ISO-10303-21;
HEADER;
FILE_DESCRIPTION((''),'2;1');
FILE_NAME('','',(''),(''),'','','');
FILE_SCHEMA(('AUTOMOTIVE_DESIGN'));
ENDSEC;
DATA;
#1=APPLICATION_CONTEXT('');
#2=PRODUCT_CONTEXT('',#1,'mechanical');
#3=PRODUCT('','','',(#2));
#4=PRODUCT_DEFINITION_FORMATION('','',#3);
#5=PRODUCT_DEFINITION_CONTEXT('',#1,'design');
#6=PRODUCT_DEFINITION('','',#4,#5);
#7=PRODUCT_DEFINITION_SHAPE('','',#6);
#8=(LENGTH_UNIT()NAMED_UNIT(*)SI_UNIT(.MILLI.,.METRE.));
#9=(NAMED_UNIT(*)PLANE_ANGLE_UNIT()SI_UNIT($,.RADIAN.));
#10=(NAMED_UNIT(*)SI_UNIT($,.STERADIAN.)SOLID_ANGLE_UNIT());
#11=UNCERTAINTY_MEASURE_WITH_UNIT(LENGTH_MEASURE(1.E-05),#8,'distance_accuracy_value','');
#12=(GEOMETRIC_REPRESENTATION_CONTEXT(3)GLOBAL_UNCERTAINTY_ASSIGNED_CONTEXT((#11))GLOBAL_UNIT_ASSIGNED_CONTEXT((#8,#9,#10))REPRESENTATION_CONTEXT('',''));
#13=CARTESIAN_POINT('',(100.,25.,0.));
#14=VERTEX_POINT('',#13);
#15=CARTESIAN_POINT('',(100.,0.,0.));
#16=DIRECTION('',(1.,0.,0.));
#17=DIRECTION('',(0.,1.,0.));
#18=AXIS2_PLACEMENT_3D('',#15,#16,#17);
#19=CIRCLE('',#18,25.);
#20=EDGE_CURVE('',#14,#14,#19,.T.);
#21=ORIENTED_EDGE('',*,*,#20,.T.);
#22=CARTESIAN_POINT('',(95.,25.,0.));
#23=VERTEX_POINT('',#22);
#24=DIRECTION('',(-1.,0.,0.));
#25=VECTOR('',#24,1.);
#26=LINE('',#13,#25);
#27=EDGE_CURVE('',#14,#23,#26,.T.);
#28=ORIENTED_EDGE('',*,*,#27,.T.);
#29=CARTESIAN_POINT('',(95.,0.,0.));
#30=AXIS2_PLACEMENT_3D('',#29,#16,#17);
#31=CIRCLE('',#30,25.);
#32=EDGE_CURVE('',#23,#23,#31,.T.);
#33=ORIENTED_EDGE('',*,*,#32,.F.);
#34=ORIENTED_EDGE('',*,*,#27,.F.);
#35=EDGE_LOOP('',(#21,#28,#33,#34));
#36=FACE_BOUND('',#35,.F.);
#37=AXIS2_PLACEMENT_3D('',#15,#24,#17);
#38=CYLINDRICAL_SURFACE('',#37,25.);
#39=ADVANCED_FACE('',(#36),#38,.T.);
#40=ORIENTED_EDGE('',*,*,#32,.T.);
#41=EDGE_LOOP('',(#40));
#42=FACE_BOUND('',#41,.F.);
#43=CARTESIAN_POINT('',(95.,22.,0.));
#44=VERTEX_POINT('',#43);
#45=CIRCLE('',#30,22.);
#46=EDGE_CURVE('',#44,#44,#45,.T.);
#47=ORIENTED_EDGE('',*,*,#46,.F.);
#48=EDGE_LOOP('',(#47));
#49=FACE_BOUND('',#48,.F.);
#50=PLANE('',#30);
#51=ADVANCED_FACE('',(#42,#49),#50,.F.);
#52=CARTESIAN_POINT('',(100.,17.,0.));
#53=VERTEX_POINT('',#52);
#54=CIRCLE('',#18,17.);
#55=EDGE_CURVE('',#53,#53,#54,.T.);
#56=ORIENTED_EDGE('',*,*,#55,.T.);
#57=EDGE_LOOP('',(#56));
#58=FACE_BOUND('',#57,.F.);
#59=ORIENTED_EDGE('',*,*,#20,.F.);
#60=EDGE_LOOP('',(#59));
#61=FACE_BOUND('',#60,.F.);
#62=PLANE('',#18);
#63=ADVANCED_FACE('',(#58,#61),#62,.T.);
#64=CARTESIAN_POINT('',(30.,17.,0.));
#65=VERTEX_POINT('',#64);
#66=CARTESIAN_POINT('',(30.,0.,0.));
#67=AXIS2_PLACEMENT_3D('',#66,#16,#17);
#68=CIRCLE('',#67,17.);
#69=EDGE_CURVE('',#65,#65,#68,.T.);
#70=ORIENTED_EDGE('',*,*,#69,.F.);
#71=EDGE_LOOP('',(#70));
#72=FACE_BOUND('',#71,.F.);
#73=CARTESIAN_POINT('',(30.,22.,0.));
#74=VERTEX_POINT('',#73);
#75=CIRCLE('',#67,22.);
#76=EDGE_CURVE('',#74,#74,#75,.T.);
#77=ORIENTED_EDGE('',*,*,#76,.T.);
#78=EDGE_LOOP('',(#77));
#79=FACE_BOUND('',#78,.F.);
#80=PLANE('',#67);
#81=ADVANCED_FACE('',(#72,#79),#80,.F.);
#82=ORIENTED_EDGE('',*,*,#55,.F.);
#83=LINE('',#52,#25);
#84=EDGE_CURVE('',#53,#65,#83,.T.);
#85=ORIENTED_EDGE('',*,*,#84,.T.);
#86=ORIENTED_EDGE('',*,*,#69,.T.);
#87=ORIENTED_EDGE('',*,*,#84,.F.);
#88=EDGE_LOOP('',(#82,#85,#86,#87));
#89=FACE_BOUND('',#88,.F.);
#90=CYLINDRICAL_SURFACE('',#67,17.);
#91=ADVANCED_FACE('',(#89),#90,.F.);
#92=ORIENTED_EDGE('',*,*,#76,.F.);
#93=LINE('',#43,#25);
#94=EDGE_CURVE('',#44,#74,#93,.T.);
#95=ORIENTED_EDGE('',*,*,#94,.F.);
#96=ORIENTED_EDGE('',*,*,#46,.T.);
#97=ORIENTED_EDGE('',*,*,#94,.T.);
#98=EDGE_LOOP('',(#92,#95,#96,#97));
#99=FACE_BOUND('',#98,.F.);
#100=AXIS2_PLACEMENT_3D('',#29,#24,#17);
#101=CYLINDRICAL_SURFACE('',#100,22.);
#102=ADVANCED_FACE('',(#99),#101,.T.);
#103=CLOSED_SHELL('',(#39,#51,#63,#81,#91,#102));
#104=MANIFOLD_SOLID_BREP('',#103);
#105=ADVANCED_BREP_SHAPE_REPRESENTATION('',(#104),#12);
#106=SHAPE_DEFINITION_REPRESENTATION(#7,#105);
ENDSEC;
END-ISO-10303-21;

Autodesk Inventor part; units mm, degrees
ref_plane "YZ Plane" through (0, 0, 0) normal (1, 0, 0) x (0, 1, 0)
ref_plane "XZ Plane" through (0, 0, 0) normal (0, 1, 0) x (-1, 0, 0)
ref_plane "XY Plane" through (0, 0, 0) normal (0, 0, 1) x (1, 0, 0)
sketch "Эскиз1" plane through (0, 0, 0) normal (0, 0, 1) x (1, 0, 0)
  line L0 (0, 0) -> (100, 0)
  line L1 (0, 0) -> (0, 30)
  line L2 (0, 30) -> (60, 30)
  line L3 (60, 30) -> (60, 0)
  line L4 (100, 0) -> (100, 25)
  line L5 (100, 25) -> (95, 25)
  line L6 (95, 25) -> (95, 22)
  line L7 (95, 22) -> (25, 22)
  line L8 (25, 22) -> (25, 25)
  line L9 (25, 25) -> (20, 25)
  line L10 (20, 25) -> (20, 0)
  line L11 (0, 20) -> (10, 20)
  line L12 (10, 20) -> (10, 17)
  line L13 (10, 17) -> (20, 17)
  line L14 (30, 22) -> (30, 17)
  line L15 (30, 17) -> (100, 17)
  line L16 (10, 17) -> (0, 17)
  line L17 (87.9599, 22) -> (87.9599, 19.5)
  line L18 (87.9599, 19.5) -> (25, 19.5)
  line L19 (25, 19.5) -> (25, 22)
  point P0 (60, 22)
  point P1 (60, 19.5)
  dimension "d0" = 100
  dimension "d1" = 30
  dimension "d2" = 60
  dimension "d3" = 25
  dimension "d4" = 5
  dimension "d5" = 3
  dimension "d6" = 70
  dimension "d7" = 3
  dimension "d8" = 5
  dimension "d9" = 10
  dimension "d10" = 3
  dimension "d11" = 8
  dimension "d12" = 70
  dimension "d13" = 8
  dimension "d14" = 40
  dimension "d15" = 5
  dimension "d16" = 12.0401
  dimension "d17" = 5.5
revolve "Вращение1" add sketch "Эскиз1" angle 360 about axis through (0, 0, 0) along (1, 0, 0) contours L15 L14 L18 L3 | L3 L18 L17 L7 L6 L5 L4 L15 | L18 L14 L7 L3 | L3 L7 L17 L18
thread "Резьба1" size "M45x4.5" class "6g" standard "ANSI Metric M Profile" length 58
properties part number "2.2"
